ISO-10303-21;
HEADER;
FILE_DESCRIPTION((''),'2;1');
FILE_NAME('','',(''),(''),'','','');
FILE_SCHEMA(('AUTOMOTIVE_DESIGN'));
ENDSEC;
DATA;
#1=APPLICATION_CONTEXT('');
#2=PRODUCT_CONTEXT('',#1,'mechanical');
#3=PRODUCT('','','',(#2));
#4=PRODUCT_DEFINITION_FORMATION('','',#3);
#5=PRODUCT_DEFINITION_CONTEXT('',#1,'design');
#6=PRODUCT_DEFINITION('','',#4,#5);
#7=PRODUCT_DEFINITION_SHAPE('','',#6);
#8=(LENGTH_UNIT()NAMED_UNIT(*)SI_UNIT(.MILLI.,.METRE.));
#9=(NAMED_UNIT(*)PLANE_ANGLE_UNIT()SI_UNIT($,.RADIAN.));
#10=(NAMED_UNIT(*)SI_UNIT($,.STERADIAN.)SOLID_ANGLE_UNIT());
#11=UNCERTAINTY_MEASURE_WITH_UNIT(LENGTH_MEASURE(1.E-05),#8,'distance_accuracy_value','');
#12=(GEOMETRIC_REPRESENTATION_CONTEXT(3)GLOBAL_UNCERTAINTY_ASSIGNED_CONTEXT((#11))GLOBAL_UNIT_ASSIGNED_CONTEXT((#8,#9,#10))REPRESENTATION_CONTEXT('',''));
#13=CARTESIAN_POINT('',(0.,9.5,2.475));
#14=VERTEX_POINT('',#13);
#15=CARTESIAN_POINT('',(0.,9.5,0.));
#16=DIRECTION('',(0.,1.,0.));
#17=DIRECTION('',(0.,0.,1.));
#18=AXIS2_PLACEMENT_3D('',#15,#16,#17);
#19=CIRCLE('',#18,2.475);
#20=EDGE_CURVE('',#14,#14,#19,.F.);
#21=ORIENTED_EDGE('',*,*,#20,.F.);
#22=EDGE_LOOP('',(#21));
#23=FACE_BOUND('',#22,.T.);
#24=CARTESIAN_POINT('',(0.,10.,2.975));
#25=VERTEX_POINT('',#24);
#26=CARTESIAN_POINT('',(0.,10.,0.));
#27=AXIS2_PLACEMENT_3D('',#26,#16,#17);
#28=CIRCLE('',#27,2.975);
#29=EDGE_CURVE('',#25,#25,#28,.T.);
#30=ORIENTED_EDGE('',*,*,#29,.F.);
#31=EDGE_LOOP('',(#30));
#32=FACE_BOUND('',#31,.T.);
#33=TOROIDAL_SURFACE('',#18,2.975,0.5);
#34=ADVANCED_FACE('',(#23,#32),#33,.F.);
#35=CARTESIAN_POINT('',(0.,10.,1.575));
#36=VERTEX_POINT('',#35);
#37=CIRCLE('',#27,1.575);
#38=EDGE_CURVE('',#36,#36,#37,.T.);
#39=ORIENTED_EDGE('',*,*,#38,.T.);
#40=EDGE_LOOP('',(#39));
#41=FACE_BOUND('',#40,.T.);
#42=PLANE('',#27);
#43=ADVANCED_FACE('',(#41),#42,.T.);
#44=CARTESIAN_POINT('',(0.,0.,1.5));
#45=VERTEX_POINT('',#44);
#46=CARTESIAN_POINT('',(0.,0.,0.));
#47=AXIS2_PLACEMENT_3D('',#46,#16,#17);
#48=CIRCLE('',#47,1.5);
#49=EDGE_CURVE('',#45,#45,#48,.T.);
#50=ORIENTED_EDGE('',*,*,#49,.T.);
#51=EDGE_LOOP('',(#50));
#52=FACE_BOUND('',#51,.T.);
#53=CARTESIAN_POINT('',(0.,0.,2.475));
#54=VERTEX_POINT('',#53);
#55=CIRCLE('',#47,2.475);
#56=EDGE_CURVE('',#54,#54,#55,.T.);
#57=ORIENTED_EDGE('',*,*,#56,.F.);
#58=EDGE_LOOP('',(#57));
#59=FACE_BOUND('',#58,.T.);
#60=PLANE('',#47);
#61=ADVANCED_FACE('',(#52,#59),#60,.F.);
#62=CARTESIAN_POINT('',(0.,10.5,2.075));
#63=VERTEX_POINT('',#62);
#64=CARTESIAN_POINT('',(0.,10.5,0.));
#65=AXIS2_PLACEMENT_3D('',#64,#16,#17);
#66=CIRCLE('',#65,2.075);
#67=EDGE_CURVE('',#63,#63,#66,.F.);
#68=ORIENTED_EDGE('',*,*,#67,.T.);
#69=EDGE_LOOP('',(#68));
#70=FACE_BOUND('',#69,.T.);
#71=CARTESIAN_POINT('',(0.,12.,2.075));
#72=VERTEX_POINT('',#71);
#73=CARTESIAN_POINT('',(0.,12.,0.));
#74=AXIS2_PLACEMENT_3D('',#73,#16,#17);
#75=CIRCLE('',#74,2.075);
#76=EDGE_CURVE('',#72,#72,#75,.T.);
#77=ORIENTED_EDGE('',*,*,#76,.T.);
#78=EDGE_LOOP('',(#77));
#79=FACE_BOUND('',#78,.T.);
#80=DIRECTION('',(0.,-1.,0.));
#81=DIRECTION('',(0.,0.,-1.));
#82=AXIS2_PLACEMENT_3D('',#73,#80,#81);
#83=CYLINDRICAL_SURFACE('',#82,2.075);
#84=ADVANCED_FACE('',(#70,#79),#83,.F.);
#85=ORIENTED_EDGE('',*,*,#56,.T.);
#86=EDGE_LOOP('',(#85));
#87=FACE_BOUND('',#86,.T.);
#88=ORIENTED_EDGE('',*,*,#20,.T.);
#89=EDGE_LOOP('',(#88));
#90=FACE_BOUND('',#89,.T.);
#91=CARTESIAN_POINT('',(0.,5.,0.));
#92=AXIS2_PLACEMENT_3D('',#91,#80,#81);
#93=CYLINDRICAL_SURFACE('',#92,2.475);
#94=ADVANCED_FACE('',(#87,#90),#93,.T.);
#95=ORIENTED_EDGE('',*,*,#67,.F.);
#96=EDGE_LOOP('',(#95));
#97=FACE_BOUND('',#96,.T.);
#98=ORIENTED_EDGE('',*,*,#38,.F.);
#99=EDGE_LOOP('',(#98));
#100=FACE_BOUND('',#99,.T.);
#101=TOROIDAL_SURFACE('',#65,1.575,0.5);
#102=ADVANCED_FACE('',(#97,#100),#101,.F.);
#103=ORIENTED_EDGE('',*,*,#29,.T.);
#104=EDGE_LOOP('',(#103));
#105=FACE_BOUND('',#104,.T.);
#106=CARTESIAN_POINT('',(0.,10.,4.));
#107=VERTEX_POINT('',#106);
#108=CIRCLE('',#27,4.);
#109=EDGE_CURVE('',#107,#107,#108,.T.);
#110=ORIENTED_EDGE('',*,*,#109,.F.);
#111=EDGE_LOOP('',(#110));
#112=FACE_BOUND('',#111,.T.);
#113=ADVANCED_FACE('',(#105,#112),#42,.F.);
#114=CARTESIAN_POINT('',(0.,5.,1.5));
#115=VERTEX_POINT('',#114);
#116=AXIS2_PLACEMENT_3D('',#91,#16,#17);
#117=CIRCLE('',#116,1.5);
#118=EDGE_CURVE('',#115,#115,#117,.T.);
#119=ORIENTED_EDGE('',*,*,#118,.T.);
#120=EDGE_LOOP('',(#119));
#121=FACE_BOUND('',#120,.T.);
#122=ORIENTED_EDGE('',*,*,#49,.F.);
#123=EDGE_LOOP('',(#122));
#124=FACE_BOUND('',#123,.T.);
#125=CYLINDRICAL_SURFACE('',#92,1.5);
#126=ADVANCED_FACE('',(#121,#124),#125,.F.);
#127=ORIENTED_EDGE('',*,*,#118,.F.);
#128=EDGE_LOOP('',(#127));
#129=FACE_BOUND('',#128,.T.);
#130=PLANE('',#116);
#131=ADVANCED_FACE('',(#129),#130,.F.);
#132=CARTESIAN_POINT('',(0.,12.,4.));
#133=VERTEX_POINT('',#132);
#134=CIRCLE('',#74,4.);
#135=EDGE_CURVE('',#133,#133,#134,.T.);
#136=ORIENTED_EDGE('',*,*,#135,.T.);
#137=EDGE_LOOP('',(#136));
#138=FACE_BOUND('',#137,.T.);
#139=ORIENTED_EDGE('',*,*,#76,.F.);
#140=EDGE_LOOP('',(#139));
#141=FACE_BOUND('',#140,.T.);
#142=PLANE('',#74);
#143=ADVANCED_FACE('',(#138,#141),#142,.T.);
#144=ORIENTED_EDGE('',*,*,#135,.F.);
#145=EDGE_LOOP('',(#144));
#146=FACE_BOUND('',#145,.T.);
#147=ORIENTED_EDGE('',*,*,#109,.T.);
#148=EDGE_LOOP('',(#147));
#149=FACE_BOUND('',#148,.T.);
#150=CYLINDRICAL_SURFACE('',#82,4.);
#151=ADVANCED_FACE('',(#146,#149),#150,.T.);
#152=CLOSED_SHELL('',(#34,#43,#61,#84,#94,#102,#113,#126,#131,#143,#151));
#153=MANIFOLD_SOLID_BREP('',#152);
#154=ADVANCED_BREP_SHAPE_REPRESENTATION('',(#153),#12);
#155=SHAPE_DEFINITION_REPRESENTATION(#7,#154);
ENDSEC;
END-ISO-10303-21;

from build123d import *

# Parameters (mm, degrees)
SKETCH1_R           = 2.475
SKETCH1_R_2         = 1.5
BOSS_EXTRUDE1_DEPTH = 5
BOSS_EXTRUDE2_START = 5
SKETCH1_2_R         = 2.475
SKETCH1_2_R_2       = 1.5
BOSS_EXTRUDE2_DEPTH = 5
SKETCH2_R           = 4
SKETCH2_R_2         = 2.075
BOSS_EXTRUDE3_DEPTH = 2
FILLET1_R           = 0.5


with BuildPart() as part:
    # Sketch1 → Boss-Extrude1 (new body)
    with BuildSketch(Plane(origin=(0, 0, 0), x_dir=(1, 0, 0), z_dir=(0, 1, 0))):
        Circle(SKETCH1_R)
        Circle(SKETCH1_R_2, mode=Mode.SUBTRACT)
    extrude(amount=BOSS_EXTRUDE1_DEPTH)

    # Sketch1<2> → Boss-Extrude2 (add)
    with BuildSketch(Plane(origin=(0, 0, 0), x_dir=(1, 0, 0), z_dir=(0, 1, 0)).offset(BOSS_EXTRUDE2_START)):
        Circle(SKETCH1_2_R)
        Circle(SKETCH1_2_R_2, mode=Mode.SUBTRACT)
        Circle(SKETCH1_2_R_2)
    extrude(amount=BOSS_EXTRUDE2_DEPTH)

    # Sketch2 → Boss-Extrude3 (add)
    with BuildSketch(Plane(origin=(0, 10, 0), x_dir=(1, 0, 0), z_dir=(0, 1, 0))):
        Circle(SKETCH2_R)
        Circle(SKETCH2_R_2, mode=Mode.SUBTRACT)
    extrude(amount=BOSS_EXTRUDE3_DEPTH)

    # Fillet1
    fillet1_edges = [part.edges().sort_by_distance(p)[0] for p in [
        (-2.475, 10, 0),
        (-2.075, 10, 0),
    ]]
    fillet(fillet1_edges, radius=FILLET1_R)


solid = part.part
